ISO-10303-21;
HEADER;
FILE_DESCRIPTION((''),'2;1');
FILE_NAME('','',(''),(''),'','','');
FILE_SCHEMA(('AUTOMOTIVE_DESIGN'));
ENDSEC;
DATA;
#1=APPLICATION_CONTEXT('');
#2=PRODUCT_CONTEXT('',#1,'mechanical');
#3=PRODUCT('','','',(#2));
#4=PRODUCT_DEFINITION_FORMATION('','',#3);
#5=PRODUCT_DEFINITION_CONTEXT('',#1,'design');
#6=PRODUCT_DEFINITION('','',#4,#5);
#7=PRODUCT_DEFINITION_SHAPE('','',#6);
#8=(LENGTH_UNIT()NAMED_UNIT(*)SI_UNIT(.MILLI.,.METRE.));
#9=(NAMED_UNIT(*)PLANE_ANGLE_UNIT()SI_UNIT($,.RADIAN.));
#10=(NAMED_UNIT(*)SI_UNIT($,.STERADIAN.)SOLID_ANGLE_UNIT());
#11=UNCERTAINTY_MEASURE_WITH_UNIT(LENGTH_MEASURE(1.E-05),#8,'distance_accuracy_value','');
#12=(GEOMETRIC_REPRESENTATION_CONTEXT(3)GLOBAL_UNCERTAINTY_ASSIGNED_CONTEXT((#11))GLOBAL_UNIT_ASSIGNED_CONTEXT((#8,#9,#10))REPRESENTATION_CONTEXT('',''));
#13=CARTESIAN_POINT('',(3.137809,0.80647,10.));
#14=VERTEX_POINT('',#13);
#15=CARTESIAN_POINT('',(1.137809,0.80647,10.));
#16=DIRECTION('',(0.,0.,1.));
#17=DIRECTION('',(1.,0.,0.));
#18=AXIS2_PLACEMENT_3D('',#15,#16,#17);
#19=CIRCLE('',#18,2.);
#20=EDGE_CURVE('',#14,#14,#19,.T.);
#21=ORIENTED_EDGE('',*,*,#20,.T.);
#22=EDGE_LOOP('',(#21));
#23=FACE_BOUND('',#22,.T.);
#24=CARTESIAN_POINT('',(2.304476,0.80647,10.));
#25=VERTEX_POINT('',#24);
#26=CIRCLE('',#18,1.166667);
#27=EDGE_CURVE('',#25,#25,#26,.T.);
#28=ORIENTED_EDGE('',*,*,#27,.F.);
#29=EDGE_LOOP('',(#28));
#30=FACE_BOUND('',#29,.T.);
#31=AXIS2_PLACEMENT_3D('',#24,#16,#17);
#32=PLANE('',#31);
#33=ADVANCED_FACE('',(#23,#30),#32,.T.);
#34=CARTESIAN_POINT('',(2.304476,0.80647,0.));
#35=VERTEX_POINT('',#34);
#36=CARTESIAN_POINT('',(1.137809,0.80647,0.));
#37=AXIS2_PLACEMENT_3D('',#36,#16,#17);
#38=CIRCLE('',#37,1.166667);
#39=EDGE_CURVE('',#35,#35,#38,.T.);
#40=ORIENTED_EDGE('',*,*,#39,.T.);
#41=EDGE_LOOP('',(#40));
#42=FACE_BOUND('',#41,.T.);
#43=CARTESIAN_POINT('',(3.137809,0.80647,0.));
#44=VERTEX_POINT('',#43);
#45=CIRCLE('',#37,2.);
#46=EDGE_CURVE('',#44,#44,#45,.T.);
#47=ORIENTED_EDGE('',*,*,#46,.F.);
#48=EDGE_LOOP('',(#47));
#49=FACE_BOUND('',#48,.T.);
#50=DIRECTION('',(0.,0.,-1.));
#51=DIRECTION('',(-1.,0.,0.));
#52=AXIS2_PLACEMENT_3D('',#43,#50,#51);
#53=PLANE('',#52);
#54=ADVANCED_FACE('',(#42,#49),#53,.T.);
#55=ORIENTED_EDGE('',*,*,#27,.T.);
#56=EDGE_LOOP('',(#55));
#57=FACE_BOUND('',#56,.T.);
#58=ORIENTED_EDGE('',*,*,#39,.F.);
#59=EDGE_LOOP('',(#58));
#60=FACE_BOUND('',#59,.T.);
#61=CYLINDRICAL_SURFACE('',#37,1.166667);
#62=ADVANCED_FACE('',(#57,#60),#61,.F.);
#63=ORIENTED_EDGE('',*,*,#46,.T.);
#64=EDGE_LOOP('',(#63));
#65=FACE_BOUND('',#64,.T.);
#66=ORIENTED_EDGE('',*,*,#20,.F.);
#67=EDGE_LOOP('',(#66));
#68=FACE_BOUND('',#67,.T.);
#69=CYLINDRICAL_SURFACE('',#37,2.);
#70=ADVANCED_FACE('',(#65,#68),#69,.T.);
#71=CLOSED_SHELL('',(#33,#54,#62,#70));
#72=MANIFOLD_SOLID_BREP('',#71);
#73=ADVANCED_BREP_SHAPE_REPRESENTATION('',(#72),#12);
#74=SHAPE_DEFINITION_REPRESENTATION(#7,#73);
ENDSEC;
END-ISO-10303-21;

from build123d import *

# Parameters (mm, degrees)
SKETCH1_W = 0.833333333
SKETCH1_H = 10


with BuildPart() as part:
    # Sketch1 → Revolve1 (revolve)
    with BuildSketch(Plane(origin=(0, 0.806470296, 0), x_dir=(1, 0, 0), z_dir=(0, 1, 0))):
        with Locations((2.721142694, -5)):
            Rectangle(SKETCH1_W, SKETCH1_H)
    revolve(axis=Axis((1.13780936, 0.806470296, 0), (0, 0, 1)))


solid = part.part
